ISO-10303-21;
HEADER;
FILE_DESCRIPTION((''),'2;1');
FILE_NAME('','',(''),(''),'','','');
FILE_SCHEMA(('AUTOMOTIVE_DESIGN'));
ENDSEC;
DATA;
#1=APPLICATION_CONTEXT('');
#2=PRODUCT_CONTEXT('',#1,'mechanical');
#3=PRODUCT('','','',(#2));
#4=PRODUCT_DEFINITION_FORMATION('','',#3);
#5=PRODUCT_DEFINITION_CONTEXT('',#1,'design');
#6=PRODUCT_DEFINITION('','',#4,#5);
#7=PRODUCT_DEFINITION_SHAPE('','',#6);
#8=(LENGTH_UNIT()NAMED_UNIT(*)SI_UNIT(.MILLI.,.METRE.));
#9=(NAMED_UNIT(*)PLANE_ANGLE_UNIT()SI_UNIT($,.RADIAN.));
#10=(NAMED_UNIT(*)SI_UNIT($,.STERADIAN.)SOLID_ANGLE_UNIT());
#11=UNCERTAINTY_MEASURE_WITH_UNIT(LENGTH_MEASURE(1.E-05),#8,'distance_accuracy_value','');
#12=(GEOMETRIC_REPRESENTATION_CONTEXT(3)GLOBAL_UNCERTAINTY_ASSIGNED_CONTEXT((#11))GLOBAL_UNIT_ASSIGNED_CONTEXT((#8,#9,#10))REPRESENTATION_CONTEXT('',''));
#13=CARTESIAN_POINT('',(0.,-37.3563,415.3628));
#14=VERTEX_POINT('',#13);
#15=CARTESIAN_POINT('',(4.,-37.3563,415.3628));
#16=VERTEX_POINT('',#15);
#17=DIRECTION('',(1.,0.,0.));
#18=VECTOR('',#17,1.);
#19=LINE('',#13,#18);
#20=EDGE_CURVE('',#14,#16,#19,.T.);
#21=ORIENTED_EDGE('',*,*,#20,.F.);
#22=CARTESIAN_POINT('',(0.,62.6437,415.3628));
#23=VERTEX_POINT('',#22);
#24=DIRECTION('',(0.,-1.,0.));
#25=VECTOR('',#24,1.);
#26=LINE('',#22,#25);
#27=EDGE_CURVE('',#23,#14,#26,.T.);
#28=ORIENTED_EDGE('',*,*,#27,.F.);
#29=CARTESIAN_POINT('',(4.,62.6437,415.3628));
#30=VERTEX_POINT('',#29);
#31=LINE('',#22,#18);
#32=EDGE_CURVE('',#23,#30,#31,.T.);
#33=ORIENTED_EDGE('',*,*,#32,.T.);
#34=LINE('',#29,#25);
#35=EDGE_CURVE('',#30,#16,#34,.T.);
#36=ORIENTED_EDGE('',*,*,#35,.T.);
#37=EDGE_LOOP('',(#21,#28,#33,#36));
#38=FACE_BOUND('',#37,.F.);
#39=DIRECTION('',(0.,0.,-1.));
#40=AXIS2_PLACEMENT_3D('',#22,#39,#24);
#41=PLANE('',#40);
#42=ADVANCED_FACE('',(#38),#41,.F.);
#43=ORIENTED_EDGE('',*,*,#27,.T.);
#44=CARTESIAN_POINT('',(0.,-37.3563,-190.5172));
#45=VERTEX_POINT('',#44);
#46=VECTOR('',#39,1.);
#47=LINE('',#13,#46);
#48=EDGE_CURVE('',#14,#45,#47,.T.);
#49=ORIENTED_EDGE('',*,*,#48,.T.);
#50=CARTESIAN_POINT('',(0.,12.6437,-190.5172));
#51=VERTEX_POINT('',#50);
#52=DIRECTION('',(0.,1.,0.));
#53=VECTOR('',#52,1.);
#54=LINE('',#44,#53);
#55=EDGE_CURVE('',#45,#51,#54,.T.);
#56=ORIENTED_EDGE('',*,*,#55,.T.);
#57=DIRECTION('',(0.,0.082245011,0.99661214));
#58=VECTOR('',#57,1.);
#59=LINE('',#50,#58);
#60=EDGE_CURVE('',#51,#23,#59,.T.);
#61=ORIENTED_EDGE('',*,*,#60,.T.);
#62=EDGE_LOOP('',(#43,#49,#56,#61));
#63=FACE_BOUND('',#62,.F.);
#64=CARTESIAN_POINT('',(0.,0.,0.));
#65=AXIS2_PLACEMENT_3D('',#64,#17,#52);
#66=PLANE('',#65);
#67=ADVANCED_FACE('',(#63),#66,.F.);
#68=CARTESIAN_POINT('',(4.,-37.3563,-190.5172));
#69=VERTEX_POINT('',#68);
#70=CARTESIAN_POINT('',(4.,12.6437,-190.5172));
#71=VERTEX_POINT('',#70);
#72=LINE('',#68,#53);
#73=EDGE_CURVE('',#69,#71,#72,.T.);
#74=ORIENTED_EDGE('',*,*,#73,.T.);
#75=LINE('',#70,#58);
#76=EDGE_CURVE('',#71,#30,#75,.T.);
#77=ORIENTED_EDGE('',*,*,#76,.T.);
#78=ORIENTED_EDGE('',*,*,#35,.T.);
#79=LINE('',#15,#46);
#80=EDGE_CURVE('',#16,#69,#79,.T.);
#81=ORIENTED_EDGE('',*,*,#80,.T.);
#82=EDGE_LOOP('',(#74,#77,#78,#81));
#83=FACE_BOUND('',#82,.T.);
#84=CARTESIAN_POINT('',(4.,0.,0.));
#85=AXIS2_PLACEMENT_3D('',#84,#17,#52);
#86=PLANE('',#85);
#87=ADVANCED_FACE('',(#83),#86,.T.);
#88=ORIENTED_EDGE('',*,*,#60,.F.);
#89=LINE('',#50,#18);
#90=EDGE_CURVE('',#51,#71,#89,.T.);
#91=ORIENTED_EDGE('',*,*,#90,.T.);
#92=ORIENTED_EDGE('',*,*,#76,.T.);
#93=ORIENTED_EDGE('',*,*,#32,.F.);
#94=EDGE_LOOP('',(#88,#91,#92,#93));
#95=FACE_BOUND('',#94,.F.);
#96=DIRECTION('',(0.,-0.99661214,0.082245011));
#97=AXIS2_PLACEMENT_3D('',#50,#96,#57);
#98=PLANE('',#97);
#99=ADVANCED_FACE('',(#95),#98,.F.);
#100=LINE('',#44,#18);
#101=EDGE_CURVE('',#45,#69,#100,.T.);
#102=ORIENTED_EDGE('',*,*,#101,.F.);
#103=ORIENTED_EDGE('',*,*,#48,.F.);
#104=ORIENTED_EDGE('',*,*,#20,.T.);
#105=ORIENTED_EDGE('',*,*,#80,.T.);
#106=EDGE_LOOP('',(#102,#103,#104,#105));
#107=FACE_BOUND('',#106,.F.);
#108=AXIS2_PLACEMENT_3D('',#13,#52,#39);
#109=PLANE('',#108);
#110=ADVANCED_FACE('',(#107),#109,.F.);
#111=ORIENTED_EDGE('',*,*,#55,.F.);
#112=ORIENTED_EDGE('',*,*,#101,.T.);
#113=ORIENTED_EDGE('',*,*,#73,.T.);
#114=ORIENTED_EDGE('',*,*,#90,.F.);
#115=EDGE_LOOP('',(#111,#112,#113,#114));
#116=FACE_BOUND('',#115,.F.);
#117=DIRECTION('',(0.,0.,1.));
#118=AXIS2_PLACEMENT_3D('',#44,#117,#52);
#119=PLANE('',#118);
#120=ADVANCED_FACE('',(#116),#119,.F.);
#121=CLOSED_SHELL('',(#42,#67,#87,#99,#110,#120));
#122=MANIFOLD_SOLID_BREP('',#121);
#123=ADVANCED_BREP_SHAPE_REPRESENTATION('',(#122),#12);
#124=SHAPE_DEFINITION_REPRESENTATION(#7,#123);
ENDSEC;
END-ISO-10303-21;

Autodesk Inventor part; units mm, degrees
ref_plane "YZ Plane" through (0, 0, 0) normal (1, 0, 0) x (0, 1, 0)
ref_plane "XZ Plane" through (0, 0, 0) normal (0, 1, 0) x (-1, 0, 0)
ref_plane "XY Plane" through (0, 0, 0) normal (0, 0, 1) x (1, 0, 0)
sketch "Sketch1" plane through (0, 0, 0) normal (1, 0, 0) x (0, 1, 0)
  line L0 (62.6437, 415.3628) -> (-37.3563, 415.3628)
  line L1 (-37.3563, 415.3628) -> (-37.3563, -190.5172)
  line L2 (-37.3563, -190.5172) -> (12.6437, -190.5172)
  line L3 (12.6437, -190.5172) -> (62.6437, 415.3628)
  point P0 (0, 0)
  dimension "d4" = 100
  dimension "d6" = 605.88
  dimension "d7" = 50
extrude "Extrusion1" add sketch "Sketch1" along normal blind 4
properties part number "Edge Band - Platform B Flat" material "Wood (Birch)"
